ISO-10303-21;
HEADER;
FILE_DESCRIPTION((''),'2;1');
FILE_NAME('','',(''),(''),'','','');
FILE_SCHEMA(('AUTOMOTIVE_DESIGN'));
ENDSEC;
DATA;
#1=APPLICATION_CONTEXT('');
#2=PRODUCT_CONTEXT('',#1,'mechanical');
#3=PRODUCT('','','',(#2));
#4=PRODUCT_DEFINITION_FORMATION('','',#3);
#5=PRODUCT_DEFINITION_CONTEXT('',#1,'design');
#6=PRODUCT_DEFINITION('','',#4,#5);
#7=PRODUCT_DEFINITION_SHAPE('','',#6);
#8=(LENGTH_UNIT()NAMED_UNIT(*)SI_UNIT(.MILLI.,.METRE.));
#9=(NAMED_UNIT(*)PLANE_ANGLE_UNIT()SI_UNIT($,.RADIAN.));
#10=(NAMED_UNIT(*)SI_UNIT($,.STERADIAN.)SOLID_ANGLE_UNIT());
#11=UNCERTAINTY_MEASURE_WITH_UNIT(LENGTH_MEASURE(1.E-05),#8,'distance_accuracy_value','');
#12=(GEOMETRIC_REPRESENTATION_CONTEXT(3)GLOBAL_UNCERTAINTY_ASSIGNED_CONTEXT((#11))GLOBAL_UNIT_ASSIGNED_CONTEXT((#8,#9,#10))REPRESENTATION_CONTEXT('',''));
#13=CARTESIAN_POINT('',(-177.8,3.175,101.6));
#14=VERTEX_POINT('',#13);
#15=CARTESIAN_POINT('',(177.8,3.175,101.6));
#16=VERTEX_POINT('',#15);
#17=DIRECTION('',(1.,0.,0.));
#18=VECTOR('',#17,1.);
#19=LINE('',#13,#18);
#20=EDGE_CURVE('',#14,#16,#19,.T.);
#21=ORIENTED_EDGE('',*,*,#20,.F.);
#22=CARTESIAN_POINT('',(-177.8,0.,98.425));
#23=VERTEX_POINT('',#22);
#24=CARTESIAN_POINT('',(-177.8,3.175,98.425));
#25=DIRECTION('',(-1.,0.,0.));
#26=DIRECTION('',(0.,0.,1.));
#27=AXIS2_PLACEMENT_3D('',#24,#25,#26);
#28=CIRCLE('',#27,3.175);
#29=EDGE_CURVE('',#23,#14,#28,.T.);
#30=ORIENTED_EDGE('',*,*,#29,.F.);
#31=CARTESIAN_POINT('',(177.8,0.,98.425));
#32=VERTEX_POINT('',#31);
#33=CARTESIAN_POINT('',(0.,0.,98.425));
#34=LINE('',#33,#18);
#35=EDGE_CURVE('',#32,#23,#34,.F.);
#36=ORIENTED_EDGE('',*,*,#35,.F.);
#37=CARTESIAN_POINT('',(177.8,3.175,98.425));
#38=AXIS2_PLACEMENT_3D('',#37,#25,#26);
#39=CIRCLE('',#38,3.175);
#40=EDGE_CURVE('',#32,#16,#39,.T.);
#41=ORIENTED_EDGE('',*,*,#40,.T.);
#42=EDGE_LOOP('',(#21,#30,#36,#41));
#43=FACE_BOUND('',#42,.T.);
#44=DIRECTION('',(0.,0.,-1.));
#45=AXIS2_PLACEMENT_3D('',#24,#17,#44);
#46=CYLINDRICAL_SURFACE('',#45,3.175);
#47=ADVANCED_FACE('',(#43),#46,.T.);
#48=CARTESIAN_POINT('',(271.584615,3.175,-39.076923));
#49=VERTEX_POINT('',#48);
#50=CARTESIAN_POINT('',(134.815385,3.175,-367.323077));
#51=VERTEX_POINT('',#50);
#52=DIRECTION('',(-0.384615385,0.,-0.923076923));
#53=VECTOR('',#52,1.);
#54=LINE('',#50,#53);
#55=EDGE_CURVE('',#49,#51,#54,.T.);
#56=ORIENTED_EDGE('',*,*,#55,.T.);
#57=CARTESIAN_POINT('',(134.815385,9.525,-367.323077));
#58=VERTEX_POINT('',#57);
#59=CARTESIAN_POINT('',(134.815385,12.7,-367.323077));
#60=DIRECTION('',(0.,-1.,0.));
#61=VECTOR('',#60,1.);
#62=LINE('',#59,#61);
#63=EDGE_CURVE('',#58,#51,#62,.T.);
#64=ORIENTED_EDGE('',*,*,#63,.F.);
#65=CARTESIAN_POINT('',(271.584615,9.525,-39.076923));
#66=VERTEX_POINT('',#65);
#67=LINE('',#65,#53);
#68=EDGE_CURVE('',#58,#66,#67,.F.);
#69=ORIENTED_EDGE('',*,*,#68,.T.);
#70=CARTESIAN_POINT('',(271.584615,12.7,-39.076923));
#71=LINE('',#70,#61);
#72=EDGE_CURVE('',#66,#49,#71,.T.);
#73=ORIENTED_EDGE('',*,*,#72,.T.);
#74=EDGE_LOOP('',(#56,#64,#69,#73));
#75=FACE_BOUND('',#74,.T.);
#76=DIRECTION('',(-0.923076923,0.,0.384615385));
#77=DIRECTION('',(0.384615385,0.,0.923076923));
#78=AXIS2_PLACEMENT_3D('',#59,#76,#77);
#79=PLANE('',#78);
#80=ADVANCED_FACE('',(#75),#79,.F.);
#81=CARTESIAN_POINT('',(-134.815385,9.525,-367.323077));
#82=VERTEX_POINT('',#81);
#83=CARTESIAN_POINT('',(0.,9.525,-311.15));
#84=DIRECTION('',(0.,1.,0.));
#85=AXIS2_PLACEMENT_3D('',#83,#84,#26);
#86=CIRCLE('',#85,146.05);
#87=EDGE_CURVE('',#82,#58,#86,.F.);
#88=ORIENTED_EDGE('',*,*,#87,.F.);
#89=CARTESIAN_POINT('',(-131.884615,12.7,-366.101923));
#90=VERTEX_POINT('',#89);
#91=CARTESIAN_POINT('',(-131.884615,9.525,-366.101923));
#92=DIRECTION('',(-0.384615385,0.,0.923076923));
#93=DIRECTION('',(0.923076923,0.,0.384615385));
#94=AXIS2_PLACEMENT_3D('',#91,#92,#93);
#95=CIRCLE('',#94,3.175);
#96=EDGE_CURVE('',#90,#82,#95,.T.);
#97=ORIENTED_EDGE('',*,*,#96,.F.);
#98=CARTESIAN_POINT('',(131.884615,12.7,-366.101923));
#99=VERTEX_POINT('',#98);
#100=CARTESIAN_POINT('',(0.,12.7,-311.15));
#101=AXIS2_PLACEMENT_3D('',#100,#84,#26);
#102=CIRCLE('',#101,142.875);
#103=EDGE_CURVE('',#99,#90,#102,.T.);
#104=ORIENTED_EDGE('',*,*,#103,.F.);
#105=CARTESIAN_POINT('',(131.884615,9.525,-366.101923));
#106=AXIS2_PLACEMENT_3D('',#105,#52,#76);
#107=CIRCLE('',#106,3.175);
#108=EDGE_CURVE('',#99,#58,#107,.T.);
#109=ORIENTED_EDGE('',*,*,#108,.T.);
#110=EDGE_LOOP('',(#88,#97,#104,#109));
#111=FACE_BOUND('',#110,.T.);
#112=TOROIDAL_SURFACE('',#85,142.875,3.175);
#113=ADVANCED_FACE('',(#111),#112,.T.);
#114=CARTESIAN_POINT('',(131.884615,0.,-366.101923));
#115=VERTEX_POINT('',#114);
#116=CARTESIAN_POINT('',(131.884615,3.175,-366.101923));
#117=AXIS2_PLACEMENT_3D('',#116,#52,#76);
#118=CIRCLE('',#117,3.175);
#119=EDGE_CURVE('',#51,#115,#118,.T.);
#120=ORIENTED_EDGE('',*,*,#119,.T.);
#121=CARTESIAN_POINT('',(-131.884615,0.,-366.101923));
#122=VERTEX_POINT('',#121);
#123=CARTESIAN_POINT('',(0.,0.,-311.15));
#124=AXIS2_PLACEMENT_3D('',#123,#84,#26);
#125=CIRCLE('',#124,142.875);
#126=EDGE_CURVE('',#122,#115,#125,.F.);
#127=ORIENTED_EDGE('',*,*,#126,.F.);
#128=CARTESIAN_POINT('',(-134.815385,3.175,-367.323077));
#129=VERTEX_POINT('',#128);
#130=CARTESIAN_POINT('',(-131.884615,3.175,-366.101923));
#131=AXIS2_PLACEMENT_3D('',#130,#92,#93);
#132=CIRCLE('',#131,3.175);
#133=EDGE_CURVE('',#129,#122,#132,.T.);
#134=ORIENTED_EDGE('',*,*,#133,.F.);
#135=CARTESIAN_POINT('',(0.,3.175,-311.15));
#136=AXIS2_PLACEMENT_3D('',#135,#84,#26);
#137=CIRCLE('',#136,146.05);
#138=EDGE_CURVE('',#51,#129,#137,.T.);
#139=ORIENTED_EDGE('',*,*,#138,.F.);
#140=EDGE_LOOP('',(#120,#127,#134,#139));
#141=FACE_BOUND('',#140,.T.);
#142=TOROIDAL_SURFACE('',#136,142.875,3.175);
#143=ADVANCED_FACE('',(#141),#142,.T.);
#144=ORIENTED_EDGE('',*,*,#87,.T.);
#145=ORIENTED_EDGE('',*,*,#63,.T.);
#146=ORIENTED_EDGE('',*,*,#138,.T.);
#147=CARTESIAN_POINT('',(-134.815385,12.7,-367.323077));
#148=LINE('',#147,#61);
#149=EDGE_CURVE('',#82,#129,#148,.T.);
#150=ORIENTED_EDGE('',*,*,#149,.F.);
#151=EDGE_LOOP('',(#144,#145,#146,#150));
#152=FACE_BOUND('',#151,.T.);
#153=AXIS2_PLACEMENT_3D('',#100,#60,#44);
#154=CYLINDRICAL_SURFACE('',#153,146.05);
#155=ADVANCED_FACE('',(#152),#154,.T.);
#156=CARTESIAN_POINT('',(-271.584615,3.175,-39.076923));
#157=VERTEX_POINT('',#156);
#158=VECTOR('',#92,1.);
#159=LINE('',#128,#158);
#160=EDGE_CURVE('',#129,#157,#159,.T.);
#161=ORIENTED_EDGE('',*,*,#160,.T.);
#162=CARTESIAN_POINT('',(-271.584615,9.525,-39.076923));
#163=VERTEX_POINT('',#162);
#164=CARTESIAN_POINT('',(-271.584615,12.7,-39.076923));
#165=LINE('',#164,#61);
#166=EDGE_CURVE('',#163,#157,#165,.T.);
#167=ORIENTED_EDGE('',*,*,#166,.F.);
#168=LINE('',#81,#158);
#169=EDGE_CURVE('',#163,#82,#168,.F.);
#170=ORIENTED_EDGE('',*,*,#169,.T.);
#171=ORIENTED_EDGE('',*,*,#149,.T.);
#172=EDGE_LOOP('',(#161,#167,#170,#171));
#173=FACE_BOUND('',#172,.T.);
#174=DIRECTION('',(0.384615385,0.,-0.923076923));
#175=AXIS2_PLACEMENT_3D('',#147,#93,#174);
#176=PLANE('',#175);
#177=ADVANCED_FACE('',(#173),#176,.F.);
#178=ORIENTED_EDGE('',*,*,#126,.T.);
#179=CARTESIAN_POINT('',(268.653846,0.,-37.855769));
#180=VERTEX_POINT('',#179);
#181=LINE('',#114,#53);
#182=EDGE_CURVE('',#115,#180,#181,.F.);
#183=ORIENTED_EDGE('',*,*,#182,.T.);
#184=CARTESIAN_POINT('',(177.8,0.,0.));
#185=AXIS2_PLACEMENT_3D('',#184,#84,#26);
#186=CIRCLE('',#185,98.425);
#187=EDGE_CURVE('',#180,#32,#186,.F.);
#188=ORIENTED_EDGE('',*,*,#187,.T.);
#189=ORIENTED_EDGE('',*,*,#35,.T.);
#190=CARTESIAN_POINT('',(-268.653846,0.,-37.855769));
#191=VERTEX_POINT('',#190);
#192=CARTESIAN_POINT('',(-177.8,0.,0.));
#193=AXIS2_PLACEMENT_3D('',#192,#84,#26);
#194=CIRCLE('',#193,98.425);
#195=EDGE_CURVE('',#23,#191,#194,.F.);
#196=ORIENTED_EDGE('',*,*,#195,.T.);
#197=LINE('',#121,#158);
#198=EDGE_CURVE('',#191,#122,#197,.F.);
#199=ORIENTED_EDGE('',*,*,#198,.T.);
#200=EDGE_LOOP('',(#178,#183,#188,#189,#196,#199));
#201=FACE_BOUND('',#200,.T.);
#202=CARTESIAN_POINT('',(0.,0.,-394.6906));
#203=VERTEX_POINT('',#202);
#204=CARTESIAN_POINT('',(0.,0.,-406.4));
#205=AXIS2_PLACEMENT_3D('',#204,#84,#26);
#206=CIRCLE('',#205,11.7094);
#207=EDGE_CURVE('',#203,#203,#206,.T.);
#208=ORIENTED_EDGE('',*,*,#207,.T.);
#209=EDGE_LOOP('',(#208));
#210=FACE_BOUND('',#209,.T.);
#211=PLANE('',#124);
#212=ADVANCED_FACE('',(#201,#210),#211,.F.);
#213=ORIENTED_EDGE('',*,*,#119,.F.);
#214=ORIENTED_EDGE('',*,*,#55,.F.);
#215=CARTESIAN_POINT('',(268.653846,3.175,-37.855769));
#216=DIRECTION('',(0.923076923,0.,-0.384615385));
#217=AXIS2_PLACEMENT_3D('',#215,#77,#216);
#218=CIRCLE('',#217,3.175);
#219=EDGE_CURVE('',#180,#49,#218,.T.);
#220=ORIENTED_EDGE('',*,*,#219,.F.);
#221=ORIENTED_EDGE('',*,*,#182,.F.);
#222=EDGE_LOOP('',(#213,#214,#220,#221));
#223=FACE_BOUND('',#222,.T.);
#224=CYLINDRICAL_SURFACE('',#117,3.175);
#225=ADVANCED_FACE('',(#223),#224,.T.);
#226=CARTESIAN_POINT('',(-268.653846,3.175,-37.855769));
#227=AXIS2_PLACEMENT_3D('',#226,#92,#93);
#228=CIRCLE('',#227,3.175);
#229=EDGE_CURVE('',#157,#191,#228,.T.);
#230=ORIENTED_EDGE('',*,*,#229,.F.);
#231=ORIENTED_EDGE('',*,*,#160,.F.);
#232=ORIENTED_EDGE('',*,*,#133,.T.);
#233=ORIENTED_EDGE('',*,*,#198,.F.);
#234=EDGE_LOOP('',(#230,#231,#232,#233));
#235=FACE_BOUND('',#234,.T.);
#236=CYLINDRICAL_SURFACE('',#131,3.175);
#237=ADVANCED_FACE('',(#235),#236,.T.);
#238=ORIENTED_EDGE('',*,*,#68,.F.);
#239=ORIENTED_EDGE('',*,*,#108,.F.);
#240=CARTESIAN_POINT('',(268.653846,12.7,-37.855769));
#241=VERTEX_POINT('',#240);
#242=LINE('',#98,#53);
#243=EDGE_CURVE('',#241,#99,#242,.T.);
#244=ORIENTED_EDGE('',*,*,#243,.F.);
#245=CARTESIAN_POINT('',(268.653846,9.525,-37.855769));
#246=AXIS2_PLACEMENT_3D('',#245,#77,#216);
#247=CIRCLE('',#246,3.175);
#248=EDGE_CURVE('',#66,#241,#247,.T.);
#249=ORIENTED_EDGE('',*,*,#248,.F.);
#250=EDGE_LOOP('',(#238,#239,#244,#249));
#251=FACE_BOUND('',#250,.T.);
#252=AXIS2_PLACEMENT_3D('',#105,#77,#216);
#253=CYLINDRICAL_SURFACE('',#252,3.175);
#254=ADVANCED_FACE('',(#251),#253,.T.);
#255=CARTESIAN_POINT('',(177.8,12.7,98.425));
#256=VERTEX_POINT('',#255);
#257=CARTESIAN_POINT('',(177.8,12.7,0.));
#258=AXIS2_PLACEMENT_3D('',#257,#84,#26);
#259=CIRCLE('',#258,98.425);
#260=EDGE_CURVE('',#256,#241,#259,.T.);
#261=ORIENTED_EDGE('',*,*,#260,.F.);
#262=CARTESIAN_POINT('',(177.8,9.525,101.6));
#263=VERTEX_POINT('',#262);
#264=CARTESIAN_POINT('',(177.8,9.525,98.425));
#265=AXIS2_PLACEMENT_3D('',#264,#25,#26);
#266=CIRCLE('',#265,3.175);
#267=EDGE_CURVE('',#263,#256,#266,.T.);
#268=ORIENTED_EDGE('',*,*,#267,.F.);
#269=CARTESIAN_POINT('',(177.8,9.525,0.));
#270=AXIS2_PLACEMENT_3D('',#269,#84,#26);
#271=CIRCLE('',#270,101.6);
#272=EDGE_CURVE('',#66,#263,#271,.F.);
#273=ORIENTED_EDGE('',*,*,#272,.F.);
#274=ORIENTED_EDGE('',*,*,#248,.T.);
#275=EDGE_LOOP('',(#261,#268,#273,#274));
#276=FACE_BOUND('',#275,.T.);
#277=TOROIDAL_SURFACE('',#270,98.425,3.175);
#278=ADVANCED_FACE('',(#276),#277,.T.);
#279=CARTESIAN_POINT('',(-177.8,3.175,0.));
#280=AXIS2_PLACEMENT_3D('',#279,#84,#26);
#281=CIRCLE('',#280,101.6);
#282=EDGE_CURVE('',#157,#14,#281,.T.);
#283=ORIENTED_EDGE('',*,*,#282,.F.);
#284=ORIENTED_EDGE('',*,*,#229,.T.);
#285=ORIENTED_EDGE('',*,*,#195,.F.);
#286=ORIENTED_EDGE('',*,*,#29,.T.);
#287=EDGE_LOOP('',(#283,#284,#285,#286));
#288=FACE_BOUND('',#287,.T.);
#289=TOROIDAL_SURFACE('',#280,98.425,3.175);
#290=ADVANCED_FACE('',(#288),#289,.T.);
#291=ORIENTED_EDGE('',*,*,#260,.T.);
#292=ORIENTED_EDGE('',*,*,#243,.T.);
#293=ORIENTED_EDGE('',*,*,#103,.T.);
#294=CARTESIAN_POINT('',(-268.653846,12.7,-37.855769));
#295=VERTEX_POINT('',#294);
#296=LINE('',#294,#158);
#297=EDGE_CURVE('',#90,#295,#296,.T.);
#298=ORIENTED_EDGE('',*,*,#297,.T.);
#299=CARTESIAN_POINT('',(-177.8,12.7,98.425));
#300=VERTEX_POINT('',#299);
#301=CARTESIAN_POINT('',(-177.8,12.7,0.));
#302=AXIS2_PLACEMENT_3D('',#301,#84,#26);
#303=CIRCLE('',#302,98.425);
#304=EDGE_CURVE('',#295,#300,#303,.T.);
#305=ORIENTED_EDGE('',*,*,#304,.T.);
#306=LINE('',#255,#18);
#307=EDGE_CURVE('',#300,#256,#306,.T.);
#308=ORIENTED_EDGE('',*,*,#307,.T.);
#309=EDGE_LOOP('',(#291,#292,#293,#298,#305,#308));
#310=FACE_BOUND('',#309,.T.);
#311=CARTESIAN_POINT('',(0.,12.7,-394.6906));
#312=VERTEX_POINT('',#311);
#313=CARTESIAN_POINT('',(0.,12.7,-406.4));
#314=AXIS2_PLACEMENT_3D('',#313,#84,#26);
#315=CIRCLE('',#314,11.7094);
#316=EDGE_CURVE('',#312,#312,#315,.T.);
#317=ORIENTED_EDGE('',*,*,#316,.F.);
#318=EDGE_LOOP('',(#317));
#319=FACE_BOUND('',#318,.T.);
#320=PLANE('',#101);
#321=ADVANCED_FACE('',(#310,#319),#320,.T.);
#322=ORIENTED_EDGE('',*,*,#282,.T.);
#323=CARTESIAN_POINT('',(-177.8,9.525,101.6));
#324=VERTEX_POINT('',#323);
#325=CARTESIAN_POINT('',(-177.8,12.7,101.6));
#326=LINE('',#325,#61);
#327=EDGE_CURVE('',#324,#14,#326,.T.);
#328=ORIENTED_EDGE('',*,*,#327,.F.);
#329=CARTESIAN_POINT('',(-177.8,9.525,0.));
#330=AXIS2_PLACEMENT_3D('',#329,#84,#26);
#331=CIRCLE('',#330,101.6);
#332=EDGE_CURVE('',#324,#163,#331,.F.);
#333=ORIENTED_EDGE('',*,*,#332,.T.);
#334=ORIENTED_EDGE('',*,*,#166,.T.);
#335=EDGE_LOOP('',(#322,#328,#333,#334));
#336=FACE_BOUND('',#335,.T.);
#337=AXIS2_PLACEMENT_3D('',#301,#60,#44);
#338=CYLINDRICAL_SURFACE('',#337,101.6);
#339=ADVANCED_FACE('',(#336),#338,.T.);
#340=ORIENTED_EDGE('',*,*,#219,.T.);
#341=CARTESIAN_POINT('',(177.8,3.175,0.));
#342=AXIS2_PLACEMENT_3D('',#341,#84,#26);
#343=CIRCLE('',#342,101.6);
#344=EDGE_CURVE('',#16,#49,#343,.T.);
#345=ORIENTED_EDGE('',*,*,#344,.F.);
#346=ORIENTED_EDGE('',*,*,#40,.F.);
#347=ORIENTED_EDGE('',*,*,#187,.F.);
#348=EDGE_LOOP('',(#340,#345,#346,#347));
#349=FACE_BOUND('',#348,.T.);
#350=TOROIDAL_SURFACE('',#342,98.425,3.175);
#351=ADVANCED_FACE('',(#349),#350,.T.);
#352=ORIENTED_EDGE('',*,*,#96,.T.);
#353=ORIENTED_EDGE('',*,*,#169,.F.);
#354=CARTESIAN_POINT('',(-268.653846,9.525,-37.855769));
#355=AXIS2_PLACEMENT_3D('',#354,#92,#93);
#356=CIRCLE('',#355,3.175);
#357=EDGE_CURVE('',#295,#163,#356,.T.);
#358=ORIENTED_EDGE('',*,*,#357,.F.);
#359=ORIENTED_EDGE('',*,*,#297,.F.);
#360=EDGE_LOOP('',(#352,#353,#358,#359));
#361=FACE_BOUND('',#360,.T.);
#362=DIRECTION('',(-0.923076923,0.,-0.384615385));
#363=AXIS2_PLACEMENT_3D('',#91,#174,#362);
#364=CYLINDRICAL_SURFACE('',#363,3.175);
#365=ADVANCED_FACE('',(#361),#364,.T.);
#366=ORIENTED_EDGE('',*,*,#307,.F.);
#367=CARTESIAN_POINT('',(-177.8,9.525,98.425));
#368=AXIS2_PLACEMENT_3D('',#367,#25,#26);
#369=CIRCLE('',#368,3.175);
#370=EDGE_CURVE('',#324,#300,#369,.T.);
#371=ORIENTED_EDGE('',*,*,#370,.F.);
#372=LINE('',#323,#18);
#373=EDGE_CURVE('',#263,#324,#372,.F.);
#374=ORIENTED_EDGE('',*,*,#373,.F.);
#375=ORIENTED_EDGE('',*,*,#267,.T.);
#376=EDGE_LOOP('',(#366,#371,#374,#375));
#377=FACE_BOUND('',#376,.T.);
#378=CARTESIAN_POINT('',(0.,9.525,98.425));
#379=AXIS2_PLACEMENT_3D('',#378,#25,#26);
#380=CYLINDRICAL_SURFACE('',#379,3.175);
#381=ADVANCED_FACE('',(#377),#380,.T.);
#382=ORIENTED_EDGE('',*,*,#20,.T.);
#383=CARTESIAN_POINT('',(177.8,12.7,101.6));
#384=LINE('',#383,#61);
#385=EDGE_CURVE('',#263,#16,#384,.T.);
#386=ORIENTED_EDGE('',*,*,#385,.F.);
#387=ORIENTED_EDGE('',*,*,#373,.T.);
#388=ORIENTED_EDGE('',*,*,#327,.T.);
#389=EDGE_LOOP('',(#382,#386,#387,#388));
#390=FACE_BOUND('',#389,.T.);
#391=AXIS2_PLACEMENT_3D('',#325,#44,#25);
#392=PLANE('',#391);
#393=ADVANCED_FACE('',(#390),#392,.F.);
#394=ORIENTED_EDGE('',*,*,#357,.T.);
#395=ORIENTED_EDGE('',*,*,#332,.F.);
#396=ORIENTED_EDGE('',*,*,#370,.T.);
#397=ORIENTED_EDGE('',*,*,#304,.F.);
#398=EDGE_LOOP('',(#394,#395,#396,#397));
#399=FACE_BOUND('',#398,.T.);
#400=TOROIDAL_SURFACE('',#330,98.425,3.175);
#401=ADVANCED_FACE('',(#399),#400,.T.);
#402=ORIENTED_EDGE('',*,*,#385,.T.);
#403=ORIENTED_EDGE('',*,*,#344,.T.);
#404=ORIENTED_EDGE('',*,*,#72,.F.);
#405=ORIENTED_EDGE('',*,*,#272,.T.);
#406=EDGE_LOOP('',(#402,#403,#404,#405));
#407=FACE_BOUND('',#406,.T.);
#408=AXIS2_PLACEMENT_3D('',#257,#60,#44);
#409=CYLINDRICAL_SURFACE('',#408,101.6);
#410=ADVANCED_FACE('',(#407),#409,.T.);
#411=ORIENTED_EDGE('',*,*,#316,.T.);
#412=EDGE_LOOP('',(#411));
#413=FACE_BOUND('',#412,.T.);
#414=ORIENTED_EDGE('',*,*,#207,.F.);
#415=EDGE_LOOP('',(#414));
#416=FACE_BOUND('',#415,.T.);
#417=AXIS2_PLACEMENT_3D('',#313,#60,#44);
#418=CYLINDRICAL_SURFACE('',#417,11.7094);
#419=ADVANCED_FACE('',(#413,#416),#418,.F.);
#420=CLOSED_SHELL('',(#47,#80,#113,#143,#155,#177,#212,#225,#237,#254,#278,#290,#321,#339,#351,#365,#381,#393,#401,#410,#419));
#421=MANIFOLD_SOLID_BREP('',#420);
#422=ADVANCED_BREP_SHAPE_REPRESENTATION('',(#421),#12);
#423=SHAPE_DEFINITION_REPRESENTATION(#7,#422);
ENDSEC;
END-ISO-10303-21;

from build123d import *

# Parameters (mm, degrees)
SKETCH1_R           = 11.7094
BOSS_EXTRUDE1_DEPTH = 12.7
FILLET2_R           = 3.175
FILLET3_R           = 3.175


with BuildPart() as part:
    # Sketch1 → Boss-Extrude1 (new body)
    with BuildSketch(Plane(origin=(0, 0, 0), x_dir=(1, 0, 0), z_dir=(0, 1, 0))):
        with BuildLine():
            Line((134.815384615, 367.323076923), (271.584615385, 39.076923077))
            ThreePointArc((271.584615385, 39.076923077), (262.336309905, -56.357539936), (177.8, -101.6))
            Line((177.8, -101.6), (-177.8, -101.6))
            ThreePointArc((-177.8, -101.6), (-262.336309905, -56.357539936), (-271.584615385, 39.076923077))
            Line((-271.584615385, 39.076923077), (-134.815384615, 367.323076923))
            ThreePointArc((-134.815384615, 367.323076923), (0, 457.2), (134.815384615, 367.323076923))
        make_face()
        with Locations(Location((0, 406.4, 0), (0, 0, 270))):
            Circle(SKETCH1_R, mode=Mode.SUBTRACT)
    extrude(amount=BOSS_EXTRUDE1_DEPTH)

    # Fillet2
    fillet2_edges = [part.edges().sort_by_distance(p)[0] for p in [
        (-262.336309905, 12.7, 56.357539936),
        (0, 12.7, 101.6),
        (262.336309905, 12.7, 56.357539936),
        (203.2, 12.7, -203.2),
        (0, 12.7, -457.2),
        (-203.2, 12.7, -203.2),
    ]]
    fillet(fillet2_edges, radius=FILLET2_R)

    # Fillet3
    fillet3_edges = [part.edges().sort_by_distance(p)[0] for p in [
        (203.2, 0, -203.2),
        (262.336309905, 0, 56.357539936),
        (0, 0, 101.6),
        (-262.336309905, 0, 56.357539936),
        (-203.2, 0, -203.2),
        (0, 0, -457.2),
    ]]
    fillet(fillet3_edges, radius=FILLET3_R)


solid = part.part
